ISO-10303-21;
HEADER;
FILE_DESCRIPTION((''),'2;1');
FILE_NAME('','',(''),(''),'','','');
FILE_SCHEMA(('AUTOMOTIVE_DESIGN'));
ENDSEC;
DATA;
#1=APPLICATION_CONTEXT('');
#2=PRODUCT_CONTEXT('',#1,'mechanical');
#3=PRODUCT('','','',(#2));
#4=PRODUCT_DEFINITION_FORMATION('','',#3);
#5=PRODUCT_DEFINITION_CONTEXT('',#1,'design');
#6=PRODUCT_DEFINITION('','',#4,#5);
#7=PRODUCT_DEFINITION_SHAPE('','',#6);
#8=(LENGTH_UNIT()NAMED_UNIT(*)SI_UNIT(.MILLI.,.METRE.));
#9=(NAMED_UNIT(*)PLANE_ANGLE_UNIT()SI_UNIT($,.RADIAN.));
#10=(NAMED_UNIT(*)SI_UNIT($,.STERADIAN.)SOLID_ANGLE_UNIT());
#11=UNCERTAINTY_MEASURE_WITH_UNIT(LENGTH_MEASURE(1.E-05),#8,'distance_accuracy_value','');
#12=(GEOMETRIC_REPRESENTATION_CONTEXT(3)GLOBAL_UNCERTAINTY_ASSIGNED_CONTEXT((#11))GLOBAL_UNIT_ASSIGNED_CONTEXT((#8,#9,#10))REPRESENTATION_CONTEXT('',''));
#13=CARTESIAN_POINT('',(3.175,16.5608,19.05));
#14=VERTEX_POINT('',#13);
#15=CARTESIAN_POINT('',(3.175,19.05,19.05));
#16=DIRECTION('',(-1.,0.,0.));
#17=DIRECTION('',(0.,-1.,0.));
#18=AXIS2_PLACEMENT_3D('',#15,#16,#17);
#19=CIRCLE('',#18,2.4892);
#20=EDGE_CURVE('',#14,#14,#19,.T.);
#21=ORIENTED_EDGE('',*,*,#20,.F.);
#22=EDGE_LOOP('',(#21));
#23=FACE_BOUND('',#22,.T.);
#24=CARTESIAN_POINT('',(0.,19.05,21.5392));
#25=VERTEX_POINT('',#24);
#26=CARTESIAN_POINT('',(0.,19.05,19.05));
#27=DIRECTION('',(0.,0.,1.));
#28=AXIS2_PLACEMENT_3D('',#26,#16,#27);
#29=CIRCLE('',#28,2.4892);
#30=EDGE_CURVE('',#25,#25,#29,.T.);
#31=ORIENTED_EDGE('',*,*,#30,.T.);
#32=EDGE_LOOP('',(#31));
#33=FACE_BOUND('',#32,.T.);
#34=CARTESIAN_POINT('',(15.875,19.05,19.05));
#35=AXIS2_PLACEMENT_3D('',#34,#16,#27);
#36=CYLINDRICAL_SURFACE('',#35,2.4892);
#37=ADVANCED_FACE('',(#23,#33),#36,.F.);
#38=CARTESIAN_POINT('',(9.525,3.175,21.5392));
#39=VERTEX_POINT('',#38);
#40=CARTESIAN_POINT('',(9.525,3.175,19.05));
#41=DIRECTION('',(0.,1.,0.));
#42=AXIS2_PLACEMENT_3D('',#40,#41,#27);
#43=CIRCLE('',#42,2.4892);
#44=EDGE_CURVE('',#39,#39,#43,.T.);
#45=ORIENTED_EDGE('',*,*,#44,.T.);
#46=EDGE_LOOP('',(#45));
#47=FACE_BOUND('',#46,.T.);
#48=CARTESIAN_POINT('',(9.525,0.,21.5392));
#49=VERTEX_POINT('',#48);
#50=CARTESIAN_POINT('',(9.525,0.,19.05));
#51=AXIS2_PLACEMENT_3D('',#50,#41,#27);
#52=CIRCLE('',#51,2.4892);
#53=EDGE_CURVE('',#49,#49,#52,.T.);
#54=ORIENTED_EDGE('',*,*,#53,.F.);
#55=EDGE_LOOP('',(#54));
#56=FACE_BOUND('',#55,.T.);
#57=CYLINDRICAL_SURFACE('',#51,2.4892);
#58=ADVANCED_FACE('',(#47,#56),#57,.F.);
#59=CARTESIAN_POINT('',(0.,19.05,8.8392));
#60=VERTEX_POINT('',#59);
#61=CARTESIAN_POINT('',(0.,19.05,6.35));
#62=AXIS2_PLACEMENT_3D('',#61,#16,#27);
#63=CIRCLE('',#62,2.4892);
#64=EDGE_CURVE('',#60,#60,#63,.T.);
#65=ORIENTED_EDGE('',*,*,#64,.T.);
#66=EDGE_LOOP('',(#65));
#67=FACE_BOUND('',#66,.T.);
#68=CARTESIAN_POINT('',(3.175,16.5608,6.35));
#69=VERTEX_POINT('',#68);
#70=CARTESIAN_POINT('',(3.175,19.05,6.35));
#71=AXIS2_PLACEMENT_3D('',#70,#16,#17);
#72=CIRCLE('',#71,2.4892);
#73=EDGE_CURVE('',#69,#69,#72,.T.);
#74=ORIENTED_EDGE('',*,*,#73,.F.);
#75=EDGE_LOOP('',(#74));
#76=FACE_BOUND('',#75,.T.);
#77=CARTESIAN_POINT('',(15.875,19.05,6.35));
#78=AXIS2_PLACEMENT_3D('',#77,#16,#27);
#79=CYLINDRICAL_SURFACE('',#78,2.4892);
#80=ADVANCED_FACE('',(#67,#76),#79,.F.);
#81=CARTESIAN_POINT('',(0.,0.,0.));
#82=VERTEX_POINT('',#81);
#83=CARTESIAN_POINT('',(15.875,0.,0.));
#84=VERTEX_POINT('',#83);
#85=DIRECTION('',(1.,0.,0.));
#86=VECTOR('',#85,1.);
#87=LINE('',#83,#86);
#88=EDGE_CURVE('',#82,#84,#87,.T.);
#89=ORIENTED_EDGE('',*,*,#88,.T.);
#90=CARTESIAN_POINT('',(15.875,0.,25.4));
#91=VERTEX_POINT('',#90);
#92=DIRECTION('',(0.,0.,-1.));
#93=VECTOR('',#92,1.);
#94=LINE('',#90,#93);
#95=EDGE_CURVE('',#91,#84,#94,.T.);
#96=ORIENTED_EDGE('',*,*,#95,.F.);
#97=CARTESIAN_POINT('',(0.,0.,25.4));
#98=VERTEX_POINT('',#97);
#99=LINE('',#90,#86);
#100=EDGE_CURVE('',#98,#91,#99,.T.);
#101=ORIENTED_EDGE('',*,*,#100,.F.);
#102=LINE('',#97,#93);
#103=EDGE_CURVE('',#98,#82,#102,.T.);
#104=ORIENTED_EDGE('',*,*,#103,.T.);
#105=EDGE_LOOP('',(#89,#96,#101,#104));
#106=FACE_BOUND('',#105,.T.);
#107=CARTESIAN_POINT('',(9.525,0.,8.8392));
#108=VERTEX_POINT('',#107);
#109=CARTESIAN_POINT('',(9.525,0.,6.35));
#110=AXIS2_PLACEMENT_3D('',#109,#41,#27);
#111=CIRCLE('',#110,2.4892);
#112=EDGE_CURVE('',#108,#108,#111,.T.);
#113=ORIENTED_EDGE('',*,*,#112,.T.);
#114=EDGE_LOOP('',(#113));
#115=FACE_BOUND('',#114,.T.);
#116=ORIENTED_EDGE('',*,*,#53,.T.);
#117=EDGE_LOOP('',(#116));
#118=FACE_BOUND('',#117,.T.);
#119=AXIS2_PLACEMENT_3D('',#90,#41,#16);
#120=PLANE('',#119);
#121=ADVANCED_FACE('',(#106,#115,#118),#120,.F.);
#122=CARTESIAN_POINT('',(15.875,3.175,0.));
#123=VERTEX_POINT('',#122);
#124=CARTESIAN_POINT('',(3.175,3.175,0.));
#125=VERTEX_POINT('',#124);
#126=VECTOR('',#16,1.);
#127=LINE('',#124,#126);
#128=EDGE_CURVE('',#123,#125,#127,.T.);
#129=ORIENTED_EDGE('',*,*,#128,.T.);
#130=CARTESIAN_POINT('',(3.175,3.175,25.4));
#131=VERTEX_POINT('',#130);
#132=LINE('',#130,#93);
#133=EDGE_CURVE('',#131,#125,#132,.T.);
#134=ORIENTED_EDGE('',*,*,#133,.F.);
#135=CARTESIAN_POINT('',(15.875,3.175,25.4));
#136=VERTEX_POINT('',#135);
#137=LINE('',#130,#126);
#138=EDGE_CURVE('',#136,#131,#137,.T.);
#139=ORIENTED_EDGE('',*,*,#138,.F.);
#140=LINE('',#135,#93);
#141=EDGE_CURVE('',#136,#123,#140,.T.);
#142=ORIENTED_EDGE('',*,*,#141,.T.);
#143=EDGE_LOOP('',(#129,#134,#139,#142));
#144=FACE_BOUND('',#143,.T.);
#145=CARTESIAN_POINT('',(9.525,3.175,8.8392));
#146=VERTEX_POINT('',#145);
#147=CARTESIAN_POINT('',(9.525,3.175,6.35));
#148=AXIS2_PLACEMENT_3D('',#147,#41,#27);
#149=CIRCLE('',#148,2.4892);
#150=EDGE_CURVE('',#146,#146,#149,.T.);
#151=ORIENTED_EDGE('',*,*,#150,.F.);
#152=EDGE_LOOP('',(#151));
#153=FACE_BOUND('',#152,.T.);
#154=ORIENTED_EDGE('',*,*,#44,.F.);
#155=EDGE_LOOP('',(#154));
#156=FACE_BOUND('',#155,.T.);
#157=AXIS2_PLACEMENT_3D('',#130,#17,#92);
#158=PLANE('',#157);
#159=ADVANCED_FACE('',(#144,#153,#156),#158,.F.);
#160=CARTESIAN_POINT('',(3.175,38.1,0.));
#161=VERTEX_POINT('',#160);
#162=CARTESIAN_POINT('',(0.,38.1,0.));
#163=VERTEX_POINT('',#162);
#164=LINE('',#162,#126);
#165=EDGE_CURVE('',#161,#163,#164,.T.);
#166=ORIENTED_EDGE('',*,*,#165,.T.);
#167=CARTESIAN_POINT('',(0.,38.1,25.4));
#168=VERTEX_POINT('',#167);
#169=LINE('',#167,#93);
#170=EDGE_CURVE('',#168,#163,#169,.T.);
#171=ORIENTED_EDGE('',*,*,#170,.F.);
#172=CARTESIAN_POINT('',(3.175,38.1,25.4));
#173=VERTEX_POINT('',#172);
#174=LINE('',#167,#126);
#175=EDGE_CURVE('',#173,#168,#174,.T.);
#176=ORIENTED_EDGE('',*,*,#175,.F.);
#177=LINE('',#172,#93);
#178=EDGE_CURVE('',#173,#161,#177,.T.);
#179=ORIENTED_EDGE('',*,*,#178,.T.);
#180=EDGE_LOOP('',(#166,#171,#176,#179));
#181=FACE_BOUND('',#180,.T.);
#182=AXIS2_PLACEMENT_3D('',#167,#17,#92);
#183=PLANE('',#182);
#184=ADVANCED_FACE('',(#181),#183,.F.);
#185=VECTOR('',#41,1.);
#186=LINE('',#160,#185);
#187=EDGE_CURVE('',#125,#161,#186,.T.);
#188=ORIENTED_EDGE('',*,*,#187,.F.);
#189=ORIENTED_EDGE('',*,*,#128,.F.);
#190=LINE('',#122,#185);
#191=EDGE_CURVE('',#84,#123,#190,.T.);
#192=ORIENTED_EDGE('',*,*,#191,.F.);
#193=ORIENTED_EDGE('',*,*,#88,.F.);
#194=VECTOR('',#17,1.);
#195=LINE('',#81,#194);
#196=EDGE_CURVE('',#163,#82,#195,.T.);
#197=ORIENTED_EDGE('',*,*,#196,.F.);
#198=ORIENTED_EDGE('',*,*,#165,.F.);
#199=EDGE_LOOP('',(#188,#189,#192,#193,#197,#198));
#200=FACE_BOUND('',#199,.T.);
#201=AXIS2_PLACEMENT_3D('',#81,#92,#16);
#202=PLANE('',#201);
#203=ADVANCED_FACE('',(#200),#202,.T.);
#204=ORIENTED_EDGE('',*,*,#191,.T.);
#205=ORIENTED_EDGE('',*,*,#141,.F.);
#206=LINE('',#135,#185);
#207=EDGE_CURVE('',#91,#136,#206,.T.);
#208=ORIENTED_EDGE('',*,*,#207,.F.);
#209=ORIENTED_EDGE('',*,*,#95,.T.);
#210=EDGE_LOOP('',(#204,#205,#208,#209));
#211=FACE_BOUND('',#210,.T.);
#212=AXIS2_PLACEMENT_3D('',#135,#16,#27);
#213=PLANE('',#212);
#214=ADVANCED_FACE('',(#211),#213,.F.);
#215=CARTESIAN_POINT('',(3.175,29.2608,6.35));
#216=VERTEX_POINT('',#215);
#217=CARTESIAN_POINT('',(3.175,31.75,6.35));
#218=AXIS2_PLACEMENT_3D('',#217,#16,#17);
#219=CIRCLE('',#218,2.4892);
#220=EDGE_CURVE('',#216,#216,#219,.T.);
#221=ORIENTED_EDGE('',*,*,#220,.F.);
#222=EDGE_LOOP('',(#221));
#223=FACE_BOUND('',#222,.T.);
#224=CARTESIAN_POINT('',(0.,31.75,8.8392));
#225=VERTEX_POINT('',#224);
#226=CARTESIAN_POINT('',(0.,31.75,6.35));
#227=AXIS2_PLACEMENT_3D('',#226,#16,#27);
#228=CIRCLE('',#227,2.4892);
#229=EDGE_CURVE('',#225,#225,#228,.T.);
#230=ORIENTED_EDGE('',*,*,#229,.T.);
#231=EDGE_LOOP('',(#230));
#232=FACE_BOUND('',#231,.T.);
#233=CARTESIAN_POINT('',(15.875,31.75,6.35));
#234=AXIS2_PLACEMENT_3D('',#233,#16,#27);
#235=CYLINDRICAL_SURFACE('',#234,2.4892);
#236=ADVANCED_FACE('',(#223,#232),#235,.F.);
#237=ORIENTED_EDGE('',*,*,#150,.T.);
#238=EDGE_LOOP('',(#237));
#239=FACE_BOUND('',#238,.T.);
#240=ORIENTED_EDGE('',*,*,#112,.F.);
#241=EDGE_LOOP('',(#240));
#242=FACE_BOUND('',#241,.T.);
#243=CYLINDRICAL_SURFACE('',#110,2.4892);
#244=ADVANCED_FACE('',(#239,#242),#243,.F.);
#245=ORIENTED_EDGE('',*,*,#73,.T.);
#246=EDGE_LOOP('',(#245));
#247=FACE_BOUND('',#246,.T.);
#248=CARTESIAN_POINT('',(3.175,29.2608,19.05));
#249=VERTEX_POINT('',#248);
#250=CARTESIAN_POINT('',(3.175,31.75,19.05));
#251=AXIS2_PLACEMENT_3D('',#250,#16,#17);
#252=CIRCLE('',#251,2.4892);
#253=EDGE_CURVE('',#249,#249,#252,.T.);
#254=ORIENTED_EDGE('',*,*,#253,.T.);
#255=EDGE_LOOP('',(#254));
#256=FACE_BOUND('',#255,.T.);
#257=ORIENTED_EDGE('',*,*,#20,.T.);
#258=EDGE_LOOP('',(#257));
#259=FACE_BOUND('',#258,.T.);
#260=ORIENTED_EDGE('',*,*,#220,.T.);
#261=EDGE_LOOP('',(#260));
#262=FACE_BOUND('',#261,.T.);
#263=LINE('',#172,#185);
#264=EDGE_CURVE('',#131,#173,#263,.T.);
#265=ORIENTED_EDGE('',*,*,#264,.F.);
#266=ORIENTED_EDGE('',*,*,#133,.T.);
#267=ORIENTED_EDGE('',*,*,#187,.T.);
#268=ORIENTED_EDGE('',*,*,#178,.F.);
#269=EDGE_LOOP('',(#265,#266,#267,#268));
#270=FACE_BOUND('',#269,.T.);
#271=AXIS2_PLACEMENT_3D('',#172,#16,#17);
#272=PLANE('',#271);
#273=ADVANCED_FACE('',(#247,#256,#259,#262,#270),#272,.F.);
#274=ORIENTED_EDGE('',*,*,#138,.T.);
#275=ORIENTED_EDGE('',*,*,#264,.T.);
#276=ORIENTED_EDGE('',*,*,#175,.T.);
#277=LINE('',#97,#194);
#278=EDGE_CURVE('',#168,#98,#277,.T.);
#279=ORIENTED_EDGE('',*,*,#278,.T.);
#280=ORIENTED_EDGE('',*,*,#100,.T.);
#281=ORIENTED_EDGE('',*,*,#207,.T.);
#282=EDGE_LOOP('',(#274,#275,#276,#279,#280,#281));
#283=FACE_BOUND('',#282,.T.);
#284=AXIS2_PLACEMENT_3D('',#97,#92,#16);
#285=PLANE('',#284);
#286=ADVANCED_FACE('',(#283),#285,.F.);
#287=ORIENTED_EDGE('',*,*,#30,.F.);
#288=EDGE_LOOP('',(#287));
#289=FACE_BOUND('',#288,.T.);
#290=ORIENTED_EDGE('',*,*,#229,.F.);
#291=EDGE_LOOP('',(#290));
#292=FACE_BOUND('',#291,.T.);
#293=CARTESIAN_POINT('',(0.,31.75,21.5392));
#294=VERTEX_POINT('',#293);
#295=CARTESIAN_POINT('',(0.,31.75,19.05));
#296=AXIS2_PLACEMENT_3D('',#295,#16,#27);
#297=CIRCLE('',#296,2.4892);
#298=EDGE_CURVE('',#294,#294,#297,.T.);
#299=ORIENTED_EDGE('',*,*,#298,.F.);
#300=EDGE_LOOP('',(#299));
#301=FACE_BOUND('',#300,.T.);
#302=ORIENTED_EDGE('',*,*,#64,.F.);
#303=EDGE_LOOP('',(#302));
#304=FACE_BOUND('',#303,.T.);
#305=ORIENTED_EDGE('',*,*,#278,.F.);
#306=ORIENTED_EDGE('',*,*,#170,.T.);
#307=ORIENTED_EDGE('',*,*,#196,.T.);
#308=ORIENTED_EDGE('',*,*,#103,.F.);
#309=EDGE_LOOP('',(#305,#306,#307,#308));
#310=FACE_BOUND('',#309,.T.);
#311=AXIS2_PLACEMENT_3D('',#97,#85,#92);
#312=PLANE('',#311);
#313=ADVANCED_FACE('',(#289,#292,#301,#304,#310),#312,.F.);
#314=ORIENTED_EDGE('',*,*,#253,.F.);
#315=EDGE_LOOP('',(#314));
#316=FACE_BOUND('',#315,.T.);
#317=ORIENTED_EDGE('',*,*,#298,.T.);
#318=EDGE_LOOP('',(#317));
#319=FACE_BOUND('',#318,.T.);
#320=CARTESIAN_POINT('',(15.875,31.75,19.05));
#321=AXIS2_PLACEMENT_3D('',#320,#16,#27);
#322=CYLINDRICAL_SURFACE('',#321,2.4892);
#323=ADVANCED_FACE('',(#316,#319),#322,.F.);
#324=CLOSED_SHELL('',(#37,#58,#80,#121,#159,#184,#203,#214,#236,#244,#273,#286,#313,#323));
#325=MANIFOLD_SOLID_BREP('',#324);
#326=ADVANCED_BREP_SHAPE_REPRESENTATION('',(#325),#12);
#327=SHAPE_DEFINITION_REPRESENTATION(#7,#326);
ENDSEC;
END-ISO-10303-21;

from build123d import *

# Parameters (mm, degrees)
BOSS_EXTRUDE1_DEPTH = 25.4
SKETCH2_R           = 2.4892
CUT_EXTRUDE1_DEPTH  = 4.175
SKETCH4_R           = 2.4892
CUT_EXTRUDE2_DEPTH  = 16.875


with BuildPart() as part:
    # Sketch1 → Boss-Extrude1 (new body)
    with BuildSketch(Plane.XY):
        Polygon((0, 0), (0, 38.1), (3.175, 38.1), (3.175, 3.175), (15.875, 3.175), (15.875, 0), align=None)
    extrude(amount=BOSS_EXTRUDE1_DEPTH)

    # Sketch2 → Cut-Extrude1 (cut, through all)
    with BuildSketch(Plane(origin=(0, 3.175, 0), x_dir=(1, 0, 0), z_dir=(0, 1, 0))):
        with Locations((9.525, -6.35)):
            Circle(SKETCH2_R)
        with Locations((9.525, -19.05)):
            Circle(SKETCH2_R)
    extrude(amount=-CUT_EXTRUDE1_DEPTH, mode=Mode.SUBTRACT)

    # Sketch4 → Cut-Extrude2 (cut, through all)
    with BuildSketch(Plane.ZY):
        with Locations((6.35, 31.75)):
            Circle(SKETCH4_R)
        with Locations((19.05, 31.75)):
            Circle(SKETCH4_R)
        with Locations((19.05, 19.05)):
            Circle(SKETCH4_R)
        with Locations((6.35, 19.05)):
            Circle(SKETCH4_R)
    extrude(amount=-CUT_EXTRUDE2_DEPTH, mode=Mode.SUBTRACT)


solid = part.part
